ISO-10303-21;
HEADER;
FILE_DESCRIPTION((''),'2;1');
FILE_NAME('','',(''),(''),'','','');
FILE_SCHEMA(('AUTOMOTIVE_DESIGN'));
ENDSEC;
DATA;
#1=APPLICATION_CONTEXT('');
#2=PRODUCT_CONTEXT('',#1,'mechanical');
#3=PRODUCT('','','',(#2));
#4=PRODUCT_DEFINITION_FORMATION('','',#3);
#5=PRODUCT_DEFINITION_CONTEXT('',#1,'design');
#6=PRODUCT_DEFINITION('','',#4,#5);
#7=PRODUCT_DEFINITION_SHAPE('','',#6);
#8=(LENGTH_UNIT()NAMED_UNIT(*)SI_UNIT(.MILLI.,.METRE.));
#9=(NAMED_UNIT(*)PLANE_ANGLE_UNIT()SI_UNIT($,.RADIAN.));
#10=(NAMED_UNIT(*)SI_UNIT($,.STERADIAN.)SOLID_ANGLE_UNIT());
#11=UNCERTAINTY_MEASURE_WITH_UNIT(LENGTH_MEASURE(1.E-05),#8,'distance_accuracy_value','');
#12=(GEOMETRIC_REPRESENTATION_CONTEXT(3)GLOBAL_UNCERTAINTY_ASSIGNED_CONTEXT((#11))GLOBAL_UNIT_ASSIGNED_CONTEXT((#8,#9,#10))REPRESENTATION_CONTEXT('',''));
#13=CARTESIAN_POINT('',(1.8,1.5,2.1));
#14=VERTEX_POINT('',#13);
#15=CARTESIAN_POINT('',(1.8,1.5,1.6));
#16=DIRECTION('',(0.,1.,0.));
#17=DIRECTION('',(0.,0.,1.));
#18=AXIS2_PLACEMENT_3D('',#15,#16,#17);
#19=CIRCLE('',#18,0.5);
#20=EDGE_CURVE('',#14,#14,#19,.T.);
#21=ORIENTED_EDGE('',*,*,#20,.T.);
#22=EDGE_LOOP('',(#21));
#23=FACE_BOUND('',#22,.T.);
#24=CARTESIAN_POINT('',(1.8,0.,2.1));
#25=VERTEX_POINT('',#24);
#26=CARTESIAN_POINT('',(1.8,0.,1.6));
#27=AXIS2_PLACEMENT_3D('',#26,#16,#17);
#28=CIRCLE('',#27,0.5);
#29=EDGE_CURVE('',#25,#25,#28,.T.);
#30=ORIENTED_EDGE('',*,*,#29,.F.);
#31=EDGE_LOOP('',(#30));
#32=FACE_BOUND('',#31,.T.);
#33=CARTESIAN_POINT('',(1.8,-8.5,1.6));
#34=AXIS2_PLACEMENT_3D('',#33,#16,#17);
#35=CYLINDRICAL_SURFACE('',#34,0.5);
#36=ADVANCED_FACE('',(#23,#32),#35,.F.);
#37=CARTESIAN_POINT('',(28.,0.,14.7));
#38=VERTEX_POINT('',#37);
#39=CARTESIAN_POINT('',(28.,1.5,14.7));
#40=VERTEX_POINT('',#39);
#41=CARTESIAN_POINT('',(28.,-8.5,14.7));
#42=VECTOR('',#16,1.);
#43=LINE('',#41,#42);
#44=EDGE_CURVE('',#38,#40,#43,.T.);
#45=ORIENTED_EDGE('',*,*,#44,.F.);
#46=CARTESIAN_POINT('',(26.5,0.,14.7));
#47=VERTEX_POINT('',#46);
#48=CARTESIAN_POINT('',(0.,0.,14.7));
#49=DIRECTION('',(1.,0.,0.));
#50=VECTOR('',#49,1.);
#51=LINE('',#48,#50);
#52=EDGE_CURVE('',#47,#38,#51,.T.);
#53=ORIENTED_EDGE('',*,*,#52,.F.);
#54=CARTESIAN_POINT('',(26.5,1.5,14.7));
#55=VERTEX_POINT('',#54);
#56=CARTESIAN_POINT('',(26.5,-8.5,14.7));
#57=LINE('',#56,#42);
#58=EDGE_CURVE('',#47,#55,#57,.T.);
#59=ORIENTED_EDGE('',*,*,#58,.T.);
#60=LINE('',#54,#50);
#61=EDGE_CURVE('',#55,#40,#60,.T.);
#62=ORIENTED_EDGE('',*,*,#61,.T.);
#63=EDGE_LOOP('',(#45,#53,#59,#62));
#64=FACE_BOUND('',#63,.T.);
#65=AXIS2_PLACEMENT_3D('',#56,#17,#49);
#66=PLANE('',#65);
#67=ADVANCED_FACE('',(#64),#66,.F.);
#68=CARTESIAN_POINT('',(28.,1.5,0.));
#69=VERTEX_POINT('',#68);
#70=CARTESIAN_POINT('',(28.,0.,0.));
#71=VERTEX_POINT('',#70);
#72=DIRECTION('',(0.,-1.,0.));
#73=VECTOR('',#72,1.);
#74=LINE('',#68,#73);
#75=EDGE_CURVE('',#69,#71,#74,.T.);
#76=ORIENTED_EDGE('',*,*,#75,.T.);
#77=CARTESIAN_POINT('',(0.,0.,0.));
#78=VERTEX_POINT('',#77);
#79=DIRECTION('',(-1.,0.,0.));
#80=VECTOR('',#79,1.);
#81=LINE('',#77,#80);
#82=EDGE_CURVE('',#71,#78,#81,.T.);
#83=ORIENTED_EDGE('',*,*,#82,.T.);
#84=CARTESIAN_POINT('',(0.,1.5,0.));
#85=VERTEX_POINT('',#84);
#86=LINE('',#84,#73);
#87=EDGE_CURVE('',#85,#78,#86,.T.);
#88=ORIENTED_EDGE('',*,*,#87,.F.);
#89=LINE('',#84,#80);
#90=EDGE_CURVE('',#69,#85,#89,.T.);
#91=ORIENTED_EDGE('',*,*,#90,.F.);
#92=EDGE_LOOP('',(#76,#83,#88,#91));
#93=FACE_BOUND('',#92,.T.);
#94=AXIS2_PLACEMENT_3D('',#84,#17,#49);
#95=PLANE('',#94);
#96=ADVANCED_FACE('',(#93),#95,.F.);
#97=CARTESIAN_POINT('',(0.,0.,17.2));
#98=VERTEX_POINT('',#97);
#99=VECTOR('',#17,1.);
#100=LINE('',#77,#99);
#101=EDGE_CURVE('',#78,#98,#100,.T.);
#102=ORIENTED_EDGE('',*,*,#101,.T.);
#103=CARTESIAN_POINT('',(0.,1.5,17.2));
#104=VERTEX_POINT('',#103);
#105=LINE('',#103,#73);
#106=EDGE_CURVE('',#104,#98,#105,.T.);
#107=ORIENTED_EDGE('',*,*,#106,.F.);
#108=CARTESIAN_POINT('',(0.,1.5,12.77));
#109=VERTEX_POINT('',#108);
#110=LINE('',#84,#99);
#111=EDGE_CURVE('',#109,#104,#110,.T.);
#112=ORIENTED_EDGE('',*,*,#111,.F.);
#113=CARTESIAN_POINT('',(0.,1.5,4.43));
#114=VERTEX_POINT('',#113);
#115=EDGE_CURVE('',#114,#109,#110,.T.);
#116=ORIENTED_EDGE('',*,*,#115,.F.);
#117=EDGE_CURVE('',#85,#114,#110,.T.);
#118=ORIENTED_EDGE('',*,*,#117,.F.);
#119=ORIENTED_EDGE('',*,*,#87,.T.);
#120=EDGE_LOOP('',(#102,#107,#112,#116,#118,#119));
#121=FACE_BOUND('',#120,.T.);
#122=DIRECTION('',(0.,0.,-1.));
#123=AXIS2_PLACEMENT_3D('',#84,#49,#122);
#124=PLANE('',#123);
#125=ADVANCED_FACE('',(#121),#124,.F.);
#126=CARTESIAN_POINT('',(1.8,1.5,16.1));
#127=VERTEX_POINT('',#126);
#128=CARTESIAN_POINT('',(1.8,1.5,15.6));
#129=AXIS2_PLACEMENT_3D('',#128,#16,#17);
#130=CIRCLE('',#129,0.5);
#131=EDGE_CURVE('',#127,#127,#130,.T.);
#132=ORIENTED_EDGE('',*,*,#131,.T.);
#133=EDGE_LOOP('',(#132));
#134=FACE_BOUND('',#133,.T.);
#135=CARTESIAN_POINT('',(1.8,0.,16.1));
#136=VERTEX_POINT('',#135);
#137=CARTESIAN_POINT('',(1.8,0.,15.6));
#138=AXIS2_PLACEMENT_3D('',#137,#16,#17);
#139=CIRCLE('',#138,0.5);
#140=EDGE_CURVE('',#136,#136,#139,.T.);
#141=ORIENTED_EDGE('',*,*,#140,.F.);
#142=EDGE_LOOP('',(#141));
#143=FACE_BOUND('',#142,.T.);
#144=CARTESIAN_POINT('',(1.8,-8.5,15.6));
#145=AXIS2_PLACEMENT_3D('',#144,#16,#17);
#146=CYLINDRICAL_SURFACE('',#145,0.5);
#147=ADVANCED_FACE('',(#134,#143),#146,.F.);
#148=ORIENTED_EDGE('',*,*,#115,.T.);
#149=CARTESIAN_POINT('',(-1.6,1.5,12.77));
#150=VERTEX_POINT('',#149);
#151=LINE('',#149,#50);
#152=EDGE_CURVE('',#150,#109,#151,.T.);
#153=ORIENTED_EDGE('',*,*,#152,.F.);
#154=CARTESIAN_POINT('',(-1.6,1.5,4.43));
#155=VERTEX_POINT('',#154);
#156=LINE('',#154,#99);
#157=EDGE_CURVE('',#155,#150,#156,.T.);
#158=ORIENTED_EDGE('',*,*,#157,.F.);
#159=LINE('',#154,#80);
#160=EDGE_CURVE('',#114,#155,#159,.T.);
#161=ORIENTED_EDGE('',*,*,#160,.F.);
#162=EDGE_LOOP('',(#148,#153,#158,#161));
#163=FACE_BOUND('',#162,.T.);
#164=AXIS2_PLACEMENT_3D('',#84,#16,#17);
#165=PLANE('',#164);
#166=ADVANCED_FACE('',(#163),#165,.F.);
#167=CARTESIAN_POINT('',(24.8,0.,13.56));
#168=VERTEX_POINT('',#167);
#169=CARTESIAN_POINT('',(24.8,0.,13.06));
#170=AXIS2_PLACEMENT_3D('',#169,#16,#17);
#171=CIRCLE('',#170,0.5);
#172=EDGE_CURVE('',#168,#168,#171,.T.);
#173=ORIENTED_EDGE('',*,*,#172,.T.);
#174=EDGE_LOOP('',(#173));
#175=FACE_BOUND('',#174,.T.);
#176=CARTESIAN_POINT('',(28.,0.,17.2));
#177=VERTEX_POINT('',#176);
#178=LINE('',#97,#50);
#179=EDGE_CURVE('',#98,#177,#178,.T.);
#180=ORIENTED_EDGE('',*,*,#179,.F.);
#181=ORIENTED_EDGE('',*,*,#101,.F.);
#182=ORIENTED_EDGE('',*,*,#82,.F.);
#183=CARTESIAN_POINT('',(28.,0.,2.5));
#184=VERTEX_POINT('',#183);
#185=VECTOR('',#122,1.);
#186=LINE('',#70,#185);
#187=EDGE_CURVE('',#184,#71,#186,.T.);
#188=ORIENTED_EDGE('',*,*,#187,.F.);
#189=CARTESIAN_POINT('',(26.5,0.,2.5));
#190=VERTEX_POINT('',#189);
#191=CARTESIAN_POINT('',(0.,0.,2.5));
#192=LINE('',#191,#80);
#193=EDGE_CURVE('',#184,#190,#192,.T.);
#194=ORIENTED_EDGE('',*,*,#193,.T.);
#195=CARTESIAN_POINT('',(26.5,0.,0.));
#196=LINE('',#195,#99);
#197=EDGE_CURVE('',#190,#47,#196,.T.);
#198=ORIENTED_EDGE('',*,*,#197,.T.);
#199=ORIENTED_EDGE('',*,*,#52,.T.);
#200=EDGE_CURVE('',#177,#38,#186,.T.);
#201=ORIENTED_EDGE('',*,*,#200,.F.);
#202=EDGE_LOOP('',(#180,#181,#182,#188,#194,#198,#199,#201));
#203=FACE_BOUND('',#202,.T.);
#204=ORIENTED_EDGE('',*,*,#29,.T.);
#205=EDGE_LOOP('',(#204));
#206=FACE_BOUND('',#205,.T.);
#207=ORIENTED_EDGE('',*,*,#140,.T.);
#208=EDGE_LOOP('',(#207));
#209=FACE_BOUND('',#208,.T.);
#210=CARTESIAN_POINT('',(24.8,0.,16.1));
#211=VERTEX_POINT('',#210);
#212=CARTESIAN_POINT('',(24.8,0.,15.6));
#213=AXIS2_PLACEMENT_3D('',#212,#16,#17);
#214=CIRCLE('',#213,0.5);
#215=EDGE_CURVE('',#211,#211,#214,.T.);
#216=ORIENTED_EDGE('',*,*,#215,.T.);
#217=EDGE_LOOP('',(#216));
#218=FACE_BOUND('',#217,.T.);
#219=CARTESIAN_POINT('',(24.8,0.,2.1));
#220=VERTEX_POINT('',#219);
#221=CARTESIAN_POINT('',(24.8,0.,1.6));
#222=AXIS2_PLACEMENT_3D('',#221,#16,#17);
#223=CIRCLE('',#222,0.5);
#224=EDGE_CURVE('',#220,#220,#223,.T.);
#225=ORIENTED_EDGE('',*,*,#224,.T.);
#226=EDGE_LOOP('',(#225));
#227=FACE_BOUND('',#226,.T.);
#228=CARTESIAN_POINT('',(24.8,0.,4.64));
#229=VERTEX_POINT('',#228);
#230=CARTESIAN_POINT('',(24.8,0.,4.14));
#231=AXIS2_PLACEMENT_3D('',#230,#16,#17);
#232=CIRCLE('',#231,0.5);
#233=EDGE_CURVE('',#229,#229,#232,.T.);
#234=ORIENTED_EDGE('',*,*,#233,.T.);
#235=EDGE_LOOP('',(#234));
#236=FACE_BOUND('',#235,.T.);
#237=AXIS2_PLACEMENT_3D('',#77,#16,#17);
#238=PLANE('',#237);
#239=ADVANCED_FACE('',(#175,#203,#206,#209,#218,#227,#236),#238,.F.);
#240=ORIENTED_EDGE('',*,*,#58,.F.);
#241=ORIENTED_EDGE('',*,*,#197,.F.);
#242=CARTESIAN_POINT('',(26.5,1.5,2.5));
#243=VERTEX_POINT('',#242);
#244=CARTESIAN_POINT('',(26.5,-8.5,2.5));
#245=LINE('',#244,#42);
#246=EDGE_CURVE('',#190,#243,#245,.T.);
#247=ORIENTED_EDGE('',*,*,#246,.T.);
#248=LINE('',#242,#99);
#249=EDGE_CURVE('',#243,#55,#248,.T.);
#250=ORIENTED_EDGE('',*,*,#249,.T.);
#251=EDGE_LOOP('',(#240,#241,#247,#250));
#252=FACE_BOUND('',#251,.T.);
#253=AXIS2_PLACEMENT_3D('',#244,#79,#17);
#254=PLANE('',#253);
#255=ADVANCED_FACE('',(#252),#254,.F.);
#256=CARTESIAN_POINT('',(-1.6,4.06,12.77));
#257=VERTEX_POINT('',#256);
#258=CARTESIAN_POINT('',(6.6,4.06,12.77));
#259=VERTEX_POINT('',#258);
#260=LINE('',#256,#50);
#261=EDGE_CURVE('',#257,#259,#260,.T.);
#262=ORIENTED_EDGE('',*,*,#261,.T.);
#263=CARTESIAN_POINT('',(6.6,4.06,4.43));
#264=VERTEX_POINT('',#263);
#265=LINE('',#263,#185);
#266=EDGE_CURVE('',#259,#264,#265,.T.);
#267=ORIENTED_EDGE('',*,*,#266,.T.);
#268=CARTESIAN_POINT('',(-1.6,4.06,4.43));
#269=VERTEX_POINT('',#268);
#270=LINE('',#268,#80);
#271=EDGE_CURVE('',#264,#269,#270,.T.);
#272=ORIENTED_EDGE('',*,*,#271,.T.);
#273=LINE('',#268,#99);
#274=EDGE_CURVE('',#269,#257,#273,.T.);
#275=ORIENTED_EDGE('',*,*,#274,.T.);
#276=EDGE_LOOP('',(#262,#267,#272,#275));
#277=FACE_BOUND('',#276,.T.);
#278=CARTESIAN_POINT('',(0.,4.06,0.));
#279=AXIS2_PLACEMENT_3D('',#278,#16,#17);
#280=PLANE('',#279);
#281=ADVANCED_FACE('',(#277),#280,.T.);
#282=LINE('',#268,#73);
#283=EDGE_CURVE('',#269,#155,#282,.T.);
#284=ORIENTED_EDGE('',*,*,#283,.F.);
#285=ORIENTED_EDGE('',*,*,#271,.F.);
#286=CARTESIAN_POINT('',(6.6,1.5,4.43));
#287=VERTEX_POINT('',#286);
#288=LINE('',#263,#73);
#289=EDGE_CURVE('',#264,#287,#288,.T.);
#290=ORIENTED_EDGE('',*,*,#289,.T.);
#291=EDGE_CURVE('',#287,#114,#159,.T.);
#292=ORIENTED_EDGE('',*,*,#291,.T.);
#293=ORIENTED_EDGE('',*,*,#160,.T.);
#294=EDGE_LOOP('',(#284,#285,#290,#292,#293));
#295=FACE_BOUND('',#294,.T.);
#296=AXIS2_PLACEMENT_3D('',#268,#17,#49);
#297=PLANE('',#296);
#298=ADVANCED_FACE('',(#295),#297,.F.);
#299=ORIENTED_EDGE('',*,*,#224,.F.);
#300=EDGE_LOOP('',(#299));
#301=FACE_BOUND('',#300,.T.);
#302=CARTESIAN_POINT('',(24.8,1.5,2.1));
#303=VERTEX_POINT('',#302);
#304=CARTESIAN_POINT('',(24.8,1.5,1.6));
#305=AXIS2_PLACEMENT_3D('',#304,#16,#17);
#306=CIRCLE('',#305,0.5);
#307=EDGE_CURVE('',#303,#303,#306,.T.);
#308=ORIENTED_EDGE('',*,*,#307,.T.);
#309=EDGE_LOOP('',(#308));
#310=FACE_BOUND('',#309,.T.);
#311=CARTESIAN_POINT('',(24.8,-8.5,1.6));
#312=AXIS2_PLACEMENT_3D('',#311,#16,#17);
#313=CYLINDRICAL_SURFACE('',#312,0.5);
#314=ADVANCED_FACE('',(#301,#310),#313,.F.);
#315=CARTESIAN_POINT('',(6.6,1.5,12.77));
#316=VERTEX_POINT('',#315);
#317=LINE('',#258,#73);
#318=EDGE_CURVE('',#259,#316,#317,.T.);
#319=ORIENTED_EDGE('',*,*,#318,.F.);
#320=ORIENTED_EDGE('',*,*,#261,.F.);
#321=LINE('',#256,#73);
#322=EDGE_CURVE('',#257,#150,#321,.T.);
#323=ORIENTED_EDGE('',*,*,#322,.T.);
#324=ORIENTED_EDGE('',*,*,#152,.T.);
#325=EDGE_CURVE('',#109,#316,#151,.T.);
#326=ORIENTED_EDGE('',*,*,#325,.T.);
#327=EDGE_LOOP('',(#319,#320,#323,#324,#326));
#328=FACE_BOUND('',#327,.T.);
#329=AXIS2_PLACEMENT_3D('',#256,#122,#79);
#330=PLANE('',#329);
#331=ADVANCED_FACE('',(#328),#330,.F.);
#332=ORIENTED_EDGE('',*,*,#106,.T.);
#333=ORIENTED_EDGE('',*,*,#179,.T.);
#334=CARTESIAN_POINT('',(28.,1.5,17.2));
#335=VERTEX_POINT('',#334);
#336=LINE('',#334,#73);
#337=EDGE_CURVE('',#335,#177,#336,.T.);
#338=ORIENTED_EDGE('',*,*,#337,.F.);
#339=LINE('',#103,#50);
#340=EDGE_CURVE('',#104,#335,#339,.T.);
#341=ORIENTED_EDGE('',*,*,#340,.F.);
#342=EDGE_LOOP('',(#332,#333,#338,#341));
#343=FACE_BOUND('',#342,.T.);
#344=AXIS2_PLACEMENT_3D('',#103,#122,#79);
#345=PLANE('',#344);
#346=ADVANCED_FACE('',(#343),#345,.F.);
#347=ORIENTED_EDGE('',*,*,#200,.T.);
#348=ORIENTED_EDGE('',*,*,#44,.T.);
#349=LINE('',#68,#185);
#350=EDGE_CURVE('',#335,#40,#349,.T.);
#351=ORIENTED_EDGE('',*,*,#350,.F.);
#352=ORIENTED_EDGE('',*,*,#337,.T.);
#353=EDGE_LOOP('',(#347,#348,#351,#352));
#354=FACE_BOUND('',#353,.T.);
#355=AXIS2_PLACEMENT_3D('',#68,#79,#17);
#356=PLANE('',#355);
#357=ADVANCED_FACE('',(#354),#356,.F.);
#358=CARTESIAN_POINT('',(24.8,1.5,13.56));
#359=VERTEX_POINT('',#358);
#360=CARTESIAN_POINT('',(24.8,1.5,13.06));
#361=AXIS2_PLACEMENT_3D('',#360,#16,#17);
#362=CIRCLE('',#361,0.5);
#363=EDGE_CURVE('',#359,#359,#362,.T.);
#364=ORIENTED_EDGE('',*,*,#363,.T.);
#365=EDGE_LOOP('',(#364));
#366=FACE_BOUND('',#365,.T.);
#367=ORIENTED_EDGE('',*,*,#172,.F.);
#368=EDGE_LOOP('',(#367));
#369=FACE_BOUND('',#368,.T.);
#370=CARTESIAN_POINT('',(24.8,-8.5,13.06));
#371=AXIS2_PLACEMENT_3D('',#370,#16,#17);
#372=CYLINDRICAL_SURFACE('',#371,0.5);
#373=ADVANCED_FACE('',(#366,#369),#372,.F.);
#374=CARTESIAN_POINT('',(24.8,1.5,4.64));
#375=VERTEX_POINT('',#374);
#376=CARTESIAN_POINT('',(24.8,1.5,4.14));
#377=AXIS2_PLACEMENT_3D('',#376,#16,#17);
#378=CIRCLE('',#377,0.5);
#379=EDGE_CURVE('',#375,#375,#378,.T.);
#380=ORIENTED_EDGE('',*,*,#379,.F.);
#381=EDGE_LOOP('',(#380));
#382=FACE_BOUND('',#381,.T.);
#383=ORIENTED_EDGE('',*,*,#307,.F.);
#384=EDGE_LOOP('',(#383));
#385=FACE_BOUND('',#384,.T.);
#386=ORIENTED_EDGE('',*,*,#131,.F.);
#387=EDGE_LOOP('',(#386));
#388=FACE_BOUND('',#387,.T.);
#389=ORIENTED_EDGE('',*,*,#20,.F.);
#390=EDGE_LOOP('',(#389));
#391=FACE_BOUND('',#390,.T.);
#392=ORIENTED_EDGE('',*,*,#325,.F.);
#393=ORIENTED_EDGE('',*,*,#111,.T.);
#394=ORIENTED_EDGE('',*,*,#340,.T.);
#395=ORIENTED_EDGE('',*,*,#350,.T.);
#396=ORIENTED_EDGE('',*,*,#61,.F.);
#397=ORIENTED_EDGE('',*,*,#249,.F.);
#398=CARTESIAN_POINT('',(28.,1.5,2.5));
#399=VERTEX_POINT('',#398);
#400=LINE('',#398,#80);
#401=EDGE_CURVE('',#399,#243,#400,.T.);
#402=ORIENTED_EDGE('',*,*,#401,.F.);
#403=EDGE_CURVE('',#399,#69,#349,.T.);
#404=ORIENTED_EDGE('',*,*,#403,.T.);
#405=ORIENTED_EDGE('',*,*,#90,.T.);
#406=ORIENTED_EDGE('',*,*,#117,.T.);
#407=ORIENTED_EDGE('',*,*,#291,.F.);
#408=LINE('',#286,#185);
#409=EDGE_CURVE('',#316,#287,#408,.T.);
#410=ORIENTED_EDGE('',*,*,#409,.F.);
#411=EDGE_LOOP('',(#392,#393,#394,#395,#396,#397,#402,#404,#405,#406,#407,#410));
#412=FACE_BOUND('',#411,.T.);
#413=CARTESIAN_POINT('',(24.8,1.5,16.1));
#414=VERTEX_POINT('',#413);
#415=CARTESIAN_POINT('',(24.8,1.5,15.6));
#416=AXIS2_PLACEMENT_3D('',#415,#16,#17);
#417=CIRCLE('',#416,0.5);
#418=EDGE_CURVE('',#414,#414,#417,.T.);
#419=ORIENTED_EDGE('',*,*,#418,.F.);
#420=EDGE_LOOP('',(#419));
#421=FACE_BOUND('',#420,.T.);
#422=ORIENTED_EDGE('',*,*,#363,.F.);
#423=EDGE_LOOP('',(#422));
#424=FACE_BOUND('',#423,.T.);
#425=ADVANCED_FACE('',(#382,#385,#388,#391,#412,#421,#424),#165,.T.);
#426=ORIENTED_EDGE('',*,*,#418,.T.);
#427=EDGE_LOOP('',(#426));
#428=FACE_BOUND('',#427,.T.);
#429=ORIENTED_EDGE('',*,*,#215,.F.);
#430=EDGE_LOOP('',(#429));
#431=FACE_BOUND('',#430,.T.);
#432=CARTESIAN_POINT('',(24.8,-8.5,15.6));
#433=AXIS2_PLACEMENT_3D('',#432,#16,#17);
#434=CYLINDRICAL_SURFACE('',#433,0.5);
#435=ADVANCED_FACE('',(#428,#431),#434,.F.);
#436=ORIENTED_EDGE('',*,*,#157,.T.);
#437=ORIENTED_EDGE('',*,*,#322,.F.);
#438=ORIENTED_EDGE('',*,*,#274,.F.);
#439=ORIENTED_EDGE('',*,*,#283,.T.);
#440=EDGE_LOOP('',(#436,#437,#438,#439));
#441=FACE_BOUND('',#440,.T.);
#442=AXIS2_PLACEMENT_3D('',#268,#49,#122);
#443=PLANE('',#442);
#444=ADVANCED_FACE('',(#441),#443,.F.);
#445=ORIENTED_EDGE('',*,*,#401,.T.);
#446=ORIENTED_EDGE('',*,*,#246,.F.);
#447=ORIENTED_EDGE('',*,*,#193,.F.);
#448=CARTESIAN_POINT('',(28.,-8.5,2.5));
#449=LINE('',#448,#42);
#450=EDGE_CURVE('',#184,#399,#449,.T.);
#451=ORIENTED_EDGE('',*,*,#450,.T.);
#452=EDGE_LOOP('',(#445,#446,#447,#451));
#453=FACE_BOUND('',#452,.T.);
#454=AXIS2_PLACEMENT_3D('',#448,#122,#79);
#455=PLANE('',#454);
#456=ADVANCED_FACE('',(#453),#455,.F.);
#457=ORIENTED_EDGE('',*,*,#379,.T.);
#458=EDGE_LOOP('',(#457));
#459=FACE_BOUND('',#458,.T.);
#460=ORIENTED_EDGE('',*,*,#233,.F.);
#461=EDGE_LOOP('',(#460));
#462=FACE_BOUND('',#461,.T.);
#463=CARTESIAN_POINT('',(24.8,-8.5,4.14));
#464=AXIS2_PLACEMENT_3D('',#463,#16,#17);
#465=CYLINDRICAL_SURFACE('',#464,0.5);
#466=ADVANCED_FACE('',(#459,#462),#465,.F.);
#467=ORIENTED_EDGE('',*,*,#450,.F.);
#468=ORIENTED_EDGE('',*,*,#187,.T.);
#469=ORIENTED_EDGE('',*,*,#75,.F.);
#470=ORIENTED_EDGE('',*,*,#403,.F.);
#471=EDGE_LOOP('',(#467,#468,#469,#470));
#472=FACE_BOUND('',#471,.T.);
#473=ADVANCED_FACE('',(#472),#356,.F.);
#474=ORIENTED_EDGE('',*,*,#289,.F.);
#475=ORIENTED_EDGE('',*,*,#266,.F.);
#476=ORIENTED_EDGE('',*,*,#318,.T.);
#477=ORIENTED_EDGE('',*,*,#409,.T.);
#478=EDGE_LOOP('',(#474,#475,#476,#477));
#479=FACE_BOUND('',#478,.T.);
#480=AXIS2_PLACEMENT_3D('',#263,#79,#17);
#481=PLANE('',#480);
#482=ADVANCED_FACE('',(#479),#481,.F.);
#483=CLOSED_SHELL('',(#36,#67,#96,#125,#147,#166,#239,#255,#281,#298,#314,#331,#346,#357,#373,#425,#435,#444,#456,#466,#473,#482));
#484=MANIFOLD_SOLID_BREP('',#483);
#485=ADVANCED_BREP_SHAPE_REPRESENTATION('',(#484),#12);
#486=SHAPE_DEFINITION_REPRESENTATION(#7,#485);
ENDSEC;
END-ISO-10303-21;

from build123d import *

# Parameters (mm, degrees)
SKETCH_1_W          = 28
SKETCH_1_H          = 17.2
EXTRUDE_1_DEPTH     = 1.5
SKETCH_2_W          = 8.2
SKETCH_2_H          = 8.34
EXTRUDE_2_DEPTH     = 2.56
SKETCH_3_R          = 0.5
CUT_EXTRUDE_1_DEPTH = 10
SKETCH_4_W          = 1.5
SKETCH_4_H          = 12.2
CUT_EXTRUDE_2_DEPTH = 10


with BuildPart() as part:
    # Эскиз1 → Бобышка-Вытянуть1 (new body)
    with BuildSketch(Plane(origin=(0, 0, 0), x_dir=(1, 0, 0), z_dir=(0, 1, 0))):
        with Locations((14, -8.6)):
            Rectangle(SKETCH_1_W, SKETCH_1_H)
    extrude(amount=EXTRUDE_1_DEPTH)

    # Эскиз2 → Бобышка-Вытянуть2 (add)
    with BuildSketch(Plane(origin=(0, 1.5, 0), x_dir=(1, 0, 0), z_dir=(0, 1, 0))):
        with Locations((2.5, -8.6)):
            Rectangle(SKETCH_2_W, SKETCH_2_H)
    extrude(amount=EXTRUDE_2_DEPTH)

    # Эскиз3 → Вырез-Вытянуть1 (cut)
    with BuildSketch(Plane(origin=(0, 1.5, 0), x_dir=(1, 0, 0), z_dir=(0, 1, 0))):
        with Locations((1.8, -1.6)):
            Circle(SKETCH_3_R)
        with Locations((1.8, -15.6)):
            Circle(SKETCH_3_R)
        with Locations((24.8, -1.6)):
            Circle(SKETCH_3_R)
        with Locations((24.8, -4.14)):
            Circle(SKETCH_3_R)
        with Locations((24.8, -13.06)):
            Circle(SKETCH_3_R)
        with Locations((24.8, -15.6)):
            Circle(SKETCH_3_R)
    extrude(amount=-CUT_EXTRUDE_1_DEPTH, mode=Mode.SUBTRACT)

    # Эскиз4 → Вырез-Вытянуть2 (cut)
    with BuildSketch(Plane(origin=(0, 1.5, 0), x_dir=(1, 0, 0), z_dir=(0, 1, 0))):
        with Locations((27.25, -8.6)):
            Rectangle(SKETCH_4_W, SKETCH_4_H)
    extrude(amount=-CUT_EXTRUDE_2_DEPTH, mode=Mode.SUBTRACT)


solid = part.part
